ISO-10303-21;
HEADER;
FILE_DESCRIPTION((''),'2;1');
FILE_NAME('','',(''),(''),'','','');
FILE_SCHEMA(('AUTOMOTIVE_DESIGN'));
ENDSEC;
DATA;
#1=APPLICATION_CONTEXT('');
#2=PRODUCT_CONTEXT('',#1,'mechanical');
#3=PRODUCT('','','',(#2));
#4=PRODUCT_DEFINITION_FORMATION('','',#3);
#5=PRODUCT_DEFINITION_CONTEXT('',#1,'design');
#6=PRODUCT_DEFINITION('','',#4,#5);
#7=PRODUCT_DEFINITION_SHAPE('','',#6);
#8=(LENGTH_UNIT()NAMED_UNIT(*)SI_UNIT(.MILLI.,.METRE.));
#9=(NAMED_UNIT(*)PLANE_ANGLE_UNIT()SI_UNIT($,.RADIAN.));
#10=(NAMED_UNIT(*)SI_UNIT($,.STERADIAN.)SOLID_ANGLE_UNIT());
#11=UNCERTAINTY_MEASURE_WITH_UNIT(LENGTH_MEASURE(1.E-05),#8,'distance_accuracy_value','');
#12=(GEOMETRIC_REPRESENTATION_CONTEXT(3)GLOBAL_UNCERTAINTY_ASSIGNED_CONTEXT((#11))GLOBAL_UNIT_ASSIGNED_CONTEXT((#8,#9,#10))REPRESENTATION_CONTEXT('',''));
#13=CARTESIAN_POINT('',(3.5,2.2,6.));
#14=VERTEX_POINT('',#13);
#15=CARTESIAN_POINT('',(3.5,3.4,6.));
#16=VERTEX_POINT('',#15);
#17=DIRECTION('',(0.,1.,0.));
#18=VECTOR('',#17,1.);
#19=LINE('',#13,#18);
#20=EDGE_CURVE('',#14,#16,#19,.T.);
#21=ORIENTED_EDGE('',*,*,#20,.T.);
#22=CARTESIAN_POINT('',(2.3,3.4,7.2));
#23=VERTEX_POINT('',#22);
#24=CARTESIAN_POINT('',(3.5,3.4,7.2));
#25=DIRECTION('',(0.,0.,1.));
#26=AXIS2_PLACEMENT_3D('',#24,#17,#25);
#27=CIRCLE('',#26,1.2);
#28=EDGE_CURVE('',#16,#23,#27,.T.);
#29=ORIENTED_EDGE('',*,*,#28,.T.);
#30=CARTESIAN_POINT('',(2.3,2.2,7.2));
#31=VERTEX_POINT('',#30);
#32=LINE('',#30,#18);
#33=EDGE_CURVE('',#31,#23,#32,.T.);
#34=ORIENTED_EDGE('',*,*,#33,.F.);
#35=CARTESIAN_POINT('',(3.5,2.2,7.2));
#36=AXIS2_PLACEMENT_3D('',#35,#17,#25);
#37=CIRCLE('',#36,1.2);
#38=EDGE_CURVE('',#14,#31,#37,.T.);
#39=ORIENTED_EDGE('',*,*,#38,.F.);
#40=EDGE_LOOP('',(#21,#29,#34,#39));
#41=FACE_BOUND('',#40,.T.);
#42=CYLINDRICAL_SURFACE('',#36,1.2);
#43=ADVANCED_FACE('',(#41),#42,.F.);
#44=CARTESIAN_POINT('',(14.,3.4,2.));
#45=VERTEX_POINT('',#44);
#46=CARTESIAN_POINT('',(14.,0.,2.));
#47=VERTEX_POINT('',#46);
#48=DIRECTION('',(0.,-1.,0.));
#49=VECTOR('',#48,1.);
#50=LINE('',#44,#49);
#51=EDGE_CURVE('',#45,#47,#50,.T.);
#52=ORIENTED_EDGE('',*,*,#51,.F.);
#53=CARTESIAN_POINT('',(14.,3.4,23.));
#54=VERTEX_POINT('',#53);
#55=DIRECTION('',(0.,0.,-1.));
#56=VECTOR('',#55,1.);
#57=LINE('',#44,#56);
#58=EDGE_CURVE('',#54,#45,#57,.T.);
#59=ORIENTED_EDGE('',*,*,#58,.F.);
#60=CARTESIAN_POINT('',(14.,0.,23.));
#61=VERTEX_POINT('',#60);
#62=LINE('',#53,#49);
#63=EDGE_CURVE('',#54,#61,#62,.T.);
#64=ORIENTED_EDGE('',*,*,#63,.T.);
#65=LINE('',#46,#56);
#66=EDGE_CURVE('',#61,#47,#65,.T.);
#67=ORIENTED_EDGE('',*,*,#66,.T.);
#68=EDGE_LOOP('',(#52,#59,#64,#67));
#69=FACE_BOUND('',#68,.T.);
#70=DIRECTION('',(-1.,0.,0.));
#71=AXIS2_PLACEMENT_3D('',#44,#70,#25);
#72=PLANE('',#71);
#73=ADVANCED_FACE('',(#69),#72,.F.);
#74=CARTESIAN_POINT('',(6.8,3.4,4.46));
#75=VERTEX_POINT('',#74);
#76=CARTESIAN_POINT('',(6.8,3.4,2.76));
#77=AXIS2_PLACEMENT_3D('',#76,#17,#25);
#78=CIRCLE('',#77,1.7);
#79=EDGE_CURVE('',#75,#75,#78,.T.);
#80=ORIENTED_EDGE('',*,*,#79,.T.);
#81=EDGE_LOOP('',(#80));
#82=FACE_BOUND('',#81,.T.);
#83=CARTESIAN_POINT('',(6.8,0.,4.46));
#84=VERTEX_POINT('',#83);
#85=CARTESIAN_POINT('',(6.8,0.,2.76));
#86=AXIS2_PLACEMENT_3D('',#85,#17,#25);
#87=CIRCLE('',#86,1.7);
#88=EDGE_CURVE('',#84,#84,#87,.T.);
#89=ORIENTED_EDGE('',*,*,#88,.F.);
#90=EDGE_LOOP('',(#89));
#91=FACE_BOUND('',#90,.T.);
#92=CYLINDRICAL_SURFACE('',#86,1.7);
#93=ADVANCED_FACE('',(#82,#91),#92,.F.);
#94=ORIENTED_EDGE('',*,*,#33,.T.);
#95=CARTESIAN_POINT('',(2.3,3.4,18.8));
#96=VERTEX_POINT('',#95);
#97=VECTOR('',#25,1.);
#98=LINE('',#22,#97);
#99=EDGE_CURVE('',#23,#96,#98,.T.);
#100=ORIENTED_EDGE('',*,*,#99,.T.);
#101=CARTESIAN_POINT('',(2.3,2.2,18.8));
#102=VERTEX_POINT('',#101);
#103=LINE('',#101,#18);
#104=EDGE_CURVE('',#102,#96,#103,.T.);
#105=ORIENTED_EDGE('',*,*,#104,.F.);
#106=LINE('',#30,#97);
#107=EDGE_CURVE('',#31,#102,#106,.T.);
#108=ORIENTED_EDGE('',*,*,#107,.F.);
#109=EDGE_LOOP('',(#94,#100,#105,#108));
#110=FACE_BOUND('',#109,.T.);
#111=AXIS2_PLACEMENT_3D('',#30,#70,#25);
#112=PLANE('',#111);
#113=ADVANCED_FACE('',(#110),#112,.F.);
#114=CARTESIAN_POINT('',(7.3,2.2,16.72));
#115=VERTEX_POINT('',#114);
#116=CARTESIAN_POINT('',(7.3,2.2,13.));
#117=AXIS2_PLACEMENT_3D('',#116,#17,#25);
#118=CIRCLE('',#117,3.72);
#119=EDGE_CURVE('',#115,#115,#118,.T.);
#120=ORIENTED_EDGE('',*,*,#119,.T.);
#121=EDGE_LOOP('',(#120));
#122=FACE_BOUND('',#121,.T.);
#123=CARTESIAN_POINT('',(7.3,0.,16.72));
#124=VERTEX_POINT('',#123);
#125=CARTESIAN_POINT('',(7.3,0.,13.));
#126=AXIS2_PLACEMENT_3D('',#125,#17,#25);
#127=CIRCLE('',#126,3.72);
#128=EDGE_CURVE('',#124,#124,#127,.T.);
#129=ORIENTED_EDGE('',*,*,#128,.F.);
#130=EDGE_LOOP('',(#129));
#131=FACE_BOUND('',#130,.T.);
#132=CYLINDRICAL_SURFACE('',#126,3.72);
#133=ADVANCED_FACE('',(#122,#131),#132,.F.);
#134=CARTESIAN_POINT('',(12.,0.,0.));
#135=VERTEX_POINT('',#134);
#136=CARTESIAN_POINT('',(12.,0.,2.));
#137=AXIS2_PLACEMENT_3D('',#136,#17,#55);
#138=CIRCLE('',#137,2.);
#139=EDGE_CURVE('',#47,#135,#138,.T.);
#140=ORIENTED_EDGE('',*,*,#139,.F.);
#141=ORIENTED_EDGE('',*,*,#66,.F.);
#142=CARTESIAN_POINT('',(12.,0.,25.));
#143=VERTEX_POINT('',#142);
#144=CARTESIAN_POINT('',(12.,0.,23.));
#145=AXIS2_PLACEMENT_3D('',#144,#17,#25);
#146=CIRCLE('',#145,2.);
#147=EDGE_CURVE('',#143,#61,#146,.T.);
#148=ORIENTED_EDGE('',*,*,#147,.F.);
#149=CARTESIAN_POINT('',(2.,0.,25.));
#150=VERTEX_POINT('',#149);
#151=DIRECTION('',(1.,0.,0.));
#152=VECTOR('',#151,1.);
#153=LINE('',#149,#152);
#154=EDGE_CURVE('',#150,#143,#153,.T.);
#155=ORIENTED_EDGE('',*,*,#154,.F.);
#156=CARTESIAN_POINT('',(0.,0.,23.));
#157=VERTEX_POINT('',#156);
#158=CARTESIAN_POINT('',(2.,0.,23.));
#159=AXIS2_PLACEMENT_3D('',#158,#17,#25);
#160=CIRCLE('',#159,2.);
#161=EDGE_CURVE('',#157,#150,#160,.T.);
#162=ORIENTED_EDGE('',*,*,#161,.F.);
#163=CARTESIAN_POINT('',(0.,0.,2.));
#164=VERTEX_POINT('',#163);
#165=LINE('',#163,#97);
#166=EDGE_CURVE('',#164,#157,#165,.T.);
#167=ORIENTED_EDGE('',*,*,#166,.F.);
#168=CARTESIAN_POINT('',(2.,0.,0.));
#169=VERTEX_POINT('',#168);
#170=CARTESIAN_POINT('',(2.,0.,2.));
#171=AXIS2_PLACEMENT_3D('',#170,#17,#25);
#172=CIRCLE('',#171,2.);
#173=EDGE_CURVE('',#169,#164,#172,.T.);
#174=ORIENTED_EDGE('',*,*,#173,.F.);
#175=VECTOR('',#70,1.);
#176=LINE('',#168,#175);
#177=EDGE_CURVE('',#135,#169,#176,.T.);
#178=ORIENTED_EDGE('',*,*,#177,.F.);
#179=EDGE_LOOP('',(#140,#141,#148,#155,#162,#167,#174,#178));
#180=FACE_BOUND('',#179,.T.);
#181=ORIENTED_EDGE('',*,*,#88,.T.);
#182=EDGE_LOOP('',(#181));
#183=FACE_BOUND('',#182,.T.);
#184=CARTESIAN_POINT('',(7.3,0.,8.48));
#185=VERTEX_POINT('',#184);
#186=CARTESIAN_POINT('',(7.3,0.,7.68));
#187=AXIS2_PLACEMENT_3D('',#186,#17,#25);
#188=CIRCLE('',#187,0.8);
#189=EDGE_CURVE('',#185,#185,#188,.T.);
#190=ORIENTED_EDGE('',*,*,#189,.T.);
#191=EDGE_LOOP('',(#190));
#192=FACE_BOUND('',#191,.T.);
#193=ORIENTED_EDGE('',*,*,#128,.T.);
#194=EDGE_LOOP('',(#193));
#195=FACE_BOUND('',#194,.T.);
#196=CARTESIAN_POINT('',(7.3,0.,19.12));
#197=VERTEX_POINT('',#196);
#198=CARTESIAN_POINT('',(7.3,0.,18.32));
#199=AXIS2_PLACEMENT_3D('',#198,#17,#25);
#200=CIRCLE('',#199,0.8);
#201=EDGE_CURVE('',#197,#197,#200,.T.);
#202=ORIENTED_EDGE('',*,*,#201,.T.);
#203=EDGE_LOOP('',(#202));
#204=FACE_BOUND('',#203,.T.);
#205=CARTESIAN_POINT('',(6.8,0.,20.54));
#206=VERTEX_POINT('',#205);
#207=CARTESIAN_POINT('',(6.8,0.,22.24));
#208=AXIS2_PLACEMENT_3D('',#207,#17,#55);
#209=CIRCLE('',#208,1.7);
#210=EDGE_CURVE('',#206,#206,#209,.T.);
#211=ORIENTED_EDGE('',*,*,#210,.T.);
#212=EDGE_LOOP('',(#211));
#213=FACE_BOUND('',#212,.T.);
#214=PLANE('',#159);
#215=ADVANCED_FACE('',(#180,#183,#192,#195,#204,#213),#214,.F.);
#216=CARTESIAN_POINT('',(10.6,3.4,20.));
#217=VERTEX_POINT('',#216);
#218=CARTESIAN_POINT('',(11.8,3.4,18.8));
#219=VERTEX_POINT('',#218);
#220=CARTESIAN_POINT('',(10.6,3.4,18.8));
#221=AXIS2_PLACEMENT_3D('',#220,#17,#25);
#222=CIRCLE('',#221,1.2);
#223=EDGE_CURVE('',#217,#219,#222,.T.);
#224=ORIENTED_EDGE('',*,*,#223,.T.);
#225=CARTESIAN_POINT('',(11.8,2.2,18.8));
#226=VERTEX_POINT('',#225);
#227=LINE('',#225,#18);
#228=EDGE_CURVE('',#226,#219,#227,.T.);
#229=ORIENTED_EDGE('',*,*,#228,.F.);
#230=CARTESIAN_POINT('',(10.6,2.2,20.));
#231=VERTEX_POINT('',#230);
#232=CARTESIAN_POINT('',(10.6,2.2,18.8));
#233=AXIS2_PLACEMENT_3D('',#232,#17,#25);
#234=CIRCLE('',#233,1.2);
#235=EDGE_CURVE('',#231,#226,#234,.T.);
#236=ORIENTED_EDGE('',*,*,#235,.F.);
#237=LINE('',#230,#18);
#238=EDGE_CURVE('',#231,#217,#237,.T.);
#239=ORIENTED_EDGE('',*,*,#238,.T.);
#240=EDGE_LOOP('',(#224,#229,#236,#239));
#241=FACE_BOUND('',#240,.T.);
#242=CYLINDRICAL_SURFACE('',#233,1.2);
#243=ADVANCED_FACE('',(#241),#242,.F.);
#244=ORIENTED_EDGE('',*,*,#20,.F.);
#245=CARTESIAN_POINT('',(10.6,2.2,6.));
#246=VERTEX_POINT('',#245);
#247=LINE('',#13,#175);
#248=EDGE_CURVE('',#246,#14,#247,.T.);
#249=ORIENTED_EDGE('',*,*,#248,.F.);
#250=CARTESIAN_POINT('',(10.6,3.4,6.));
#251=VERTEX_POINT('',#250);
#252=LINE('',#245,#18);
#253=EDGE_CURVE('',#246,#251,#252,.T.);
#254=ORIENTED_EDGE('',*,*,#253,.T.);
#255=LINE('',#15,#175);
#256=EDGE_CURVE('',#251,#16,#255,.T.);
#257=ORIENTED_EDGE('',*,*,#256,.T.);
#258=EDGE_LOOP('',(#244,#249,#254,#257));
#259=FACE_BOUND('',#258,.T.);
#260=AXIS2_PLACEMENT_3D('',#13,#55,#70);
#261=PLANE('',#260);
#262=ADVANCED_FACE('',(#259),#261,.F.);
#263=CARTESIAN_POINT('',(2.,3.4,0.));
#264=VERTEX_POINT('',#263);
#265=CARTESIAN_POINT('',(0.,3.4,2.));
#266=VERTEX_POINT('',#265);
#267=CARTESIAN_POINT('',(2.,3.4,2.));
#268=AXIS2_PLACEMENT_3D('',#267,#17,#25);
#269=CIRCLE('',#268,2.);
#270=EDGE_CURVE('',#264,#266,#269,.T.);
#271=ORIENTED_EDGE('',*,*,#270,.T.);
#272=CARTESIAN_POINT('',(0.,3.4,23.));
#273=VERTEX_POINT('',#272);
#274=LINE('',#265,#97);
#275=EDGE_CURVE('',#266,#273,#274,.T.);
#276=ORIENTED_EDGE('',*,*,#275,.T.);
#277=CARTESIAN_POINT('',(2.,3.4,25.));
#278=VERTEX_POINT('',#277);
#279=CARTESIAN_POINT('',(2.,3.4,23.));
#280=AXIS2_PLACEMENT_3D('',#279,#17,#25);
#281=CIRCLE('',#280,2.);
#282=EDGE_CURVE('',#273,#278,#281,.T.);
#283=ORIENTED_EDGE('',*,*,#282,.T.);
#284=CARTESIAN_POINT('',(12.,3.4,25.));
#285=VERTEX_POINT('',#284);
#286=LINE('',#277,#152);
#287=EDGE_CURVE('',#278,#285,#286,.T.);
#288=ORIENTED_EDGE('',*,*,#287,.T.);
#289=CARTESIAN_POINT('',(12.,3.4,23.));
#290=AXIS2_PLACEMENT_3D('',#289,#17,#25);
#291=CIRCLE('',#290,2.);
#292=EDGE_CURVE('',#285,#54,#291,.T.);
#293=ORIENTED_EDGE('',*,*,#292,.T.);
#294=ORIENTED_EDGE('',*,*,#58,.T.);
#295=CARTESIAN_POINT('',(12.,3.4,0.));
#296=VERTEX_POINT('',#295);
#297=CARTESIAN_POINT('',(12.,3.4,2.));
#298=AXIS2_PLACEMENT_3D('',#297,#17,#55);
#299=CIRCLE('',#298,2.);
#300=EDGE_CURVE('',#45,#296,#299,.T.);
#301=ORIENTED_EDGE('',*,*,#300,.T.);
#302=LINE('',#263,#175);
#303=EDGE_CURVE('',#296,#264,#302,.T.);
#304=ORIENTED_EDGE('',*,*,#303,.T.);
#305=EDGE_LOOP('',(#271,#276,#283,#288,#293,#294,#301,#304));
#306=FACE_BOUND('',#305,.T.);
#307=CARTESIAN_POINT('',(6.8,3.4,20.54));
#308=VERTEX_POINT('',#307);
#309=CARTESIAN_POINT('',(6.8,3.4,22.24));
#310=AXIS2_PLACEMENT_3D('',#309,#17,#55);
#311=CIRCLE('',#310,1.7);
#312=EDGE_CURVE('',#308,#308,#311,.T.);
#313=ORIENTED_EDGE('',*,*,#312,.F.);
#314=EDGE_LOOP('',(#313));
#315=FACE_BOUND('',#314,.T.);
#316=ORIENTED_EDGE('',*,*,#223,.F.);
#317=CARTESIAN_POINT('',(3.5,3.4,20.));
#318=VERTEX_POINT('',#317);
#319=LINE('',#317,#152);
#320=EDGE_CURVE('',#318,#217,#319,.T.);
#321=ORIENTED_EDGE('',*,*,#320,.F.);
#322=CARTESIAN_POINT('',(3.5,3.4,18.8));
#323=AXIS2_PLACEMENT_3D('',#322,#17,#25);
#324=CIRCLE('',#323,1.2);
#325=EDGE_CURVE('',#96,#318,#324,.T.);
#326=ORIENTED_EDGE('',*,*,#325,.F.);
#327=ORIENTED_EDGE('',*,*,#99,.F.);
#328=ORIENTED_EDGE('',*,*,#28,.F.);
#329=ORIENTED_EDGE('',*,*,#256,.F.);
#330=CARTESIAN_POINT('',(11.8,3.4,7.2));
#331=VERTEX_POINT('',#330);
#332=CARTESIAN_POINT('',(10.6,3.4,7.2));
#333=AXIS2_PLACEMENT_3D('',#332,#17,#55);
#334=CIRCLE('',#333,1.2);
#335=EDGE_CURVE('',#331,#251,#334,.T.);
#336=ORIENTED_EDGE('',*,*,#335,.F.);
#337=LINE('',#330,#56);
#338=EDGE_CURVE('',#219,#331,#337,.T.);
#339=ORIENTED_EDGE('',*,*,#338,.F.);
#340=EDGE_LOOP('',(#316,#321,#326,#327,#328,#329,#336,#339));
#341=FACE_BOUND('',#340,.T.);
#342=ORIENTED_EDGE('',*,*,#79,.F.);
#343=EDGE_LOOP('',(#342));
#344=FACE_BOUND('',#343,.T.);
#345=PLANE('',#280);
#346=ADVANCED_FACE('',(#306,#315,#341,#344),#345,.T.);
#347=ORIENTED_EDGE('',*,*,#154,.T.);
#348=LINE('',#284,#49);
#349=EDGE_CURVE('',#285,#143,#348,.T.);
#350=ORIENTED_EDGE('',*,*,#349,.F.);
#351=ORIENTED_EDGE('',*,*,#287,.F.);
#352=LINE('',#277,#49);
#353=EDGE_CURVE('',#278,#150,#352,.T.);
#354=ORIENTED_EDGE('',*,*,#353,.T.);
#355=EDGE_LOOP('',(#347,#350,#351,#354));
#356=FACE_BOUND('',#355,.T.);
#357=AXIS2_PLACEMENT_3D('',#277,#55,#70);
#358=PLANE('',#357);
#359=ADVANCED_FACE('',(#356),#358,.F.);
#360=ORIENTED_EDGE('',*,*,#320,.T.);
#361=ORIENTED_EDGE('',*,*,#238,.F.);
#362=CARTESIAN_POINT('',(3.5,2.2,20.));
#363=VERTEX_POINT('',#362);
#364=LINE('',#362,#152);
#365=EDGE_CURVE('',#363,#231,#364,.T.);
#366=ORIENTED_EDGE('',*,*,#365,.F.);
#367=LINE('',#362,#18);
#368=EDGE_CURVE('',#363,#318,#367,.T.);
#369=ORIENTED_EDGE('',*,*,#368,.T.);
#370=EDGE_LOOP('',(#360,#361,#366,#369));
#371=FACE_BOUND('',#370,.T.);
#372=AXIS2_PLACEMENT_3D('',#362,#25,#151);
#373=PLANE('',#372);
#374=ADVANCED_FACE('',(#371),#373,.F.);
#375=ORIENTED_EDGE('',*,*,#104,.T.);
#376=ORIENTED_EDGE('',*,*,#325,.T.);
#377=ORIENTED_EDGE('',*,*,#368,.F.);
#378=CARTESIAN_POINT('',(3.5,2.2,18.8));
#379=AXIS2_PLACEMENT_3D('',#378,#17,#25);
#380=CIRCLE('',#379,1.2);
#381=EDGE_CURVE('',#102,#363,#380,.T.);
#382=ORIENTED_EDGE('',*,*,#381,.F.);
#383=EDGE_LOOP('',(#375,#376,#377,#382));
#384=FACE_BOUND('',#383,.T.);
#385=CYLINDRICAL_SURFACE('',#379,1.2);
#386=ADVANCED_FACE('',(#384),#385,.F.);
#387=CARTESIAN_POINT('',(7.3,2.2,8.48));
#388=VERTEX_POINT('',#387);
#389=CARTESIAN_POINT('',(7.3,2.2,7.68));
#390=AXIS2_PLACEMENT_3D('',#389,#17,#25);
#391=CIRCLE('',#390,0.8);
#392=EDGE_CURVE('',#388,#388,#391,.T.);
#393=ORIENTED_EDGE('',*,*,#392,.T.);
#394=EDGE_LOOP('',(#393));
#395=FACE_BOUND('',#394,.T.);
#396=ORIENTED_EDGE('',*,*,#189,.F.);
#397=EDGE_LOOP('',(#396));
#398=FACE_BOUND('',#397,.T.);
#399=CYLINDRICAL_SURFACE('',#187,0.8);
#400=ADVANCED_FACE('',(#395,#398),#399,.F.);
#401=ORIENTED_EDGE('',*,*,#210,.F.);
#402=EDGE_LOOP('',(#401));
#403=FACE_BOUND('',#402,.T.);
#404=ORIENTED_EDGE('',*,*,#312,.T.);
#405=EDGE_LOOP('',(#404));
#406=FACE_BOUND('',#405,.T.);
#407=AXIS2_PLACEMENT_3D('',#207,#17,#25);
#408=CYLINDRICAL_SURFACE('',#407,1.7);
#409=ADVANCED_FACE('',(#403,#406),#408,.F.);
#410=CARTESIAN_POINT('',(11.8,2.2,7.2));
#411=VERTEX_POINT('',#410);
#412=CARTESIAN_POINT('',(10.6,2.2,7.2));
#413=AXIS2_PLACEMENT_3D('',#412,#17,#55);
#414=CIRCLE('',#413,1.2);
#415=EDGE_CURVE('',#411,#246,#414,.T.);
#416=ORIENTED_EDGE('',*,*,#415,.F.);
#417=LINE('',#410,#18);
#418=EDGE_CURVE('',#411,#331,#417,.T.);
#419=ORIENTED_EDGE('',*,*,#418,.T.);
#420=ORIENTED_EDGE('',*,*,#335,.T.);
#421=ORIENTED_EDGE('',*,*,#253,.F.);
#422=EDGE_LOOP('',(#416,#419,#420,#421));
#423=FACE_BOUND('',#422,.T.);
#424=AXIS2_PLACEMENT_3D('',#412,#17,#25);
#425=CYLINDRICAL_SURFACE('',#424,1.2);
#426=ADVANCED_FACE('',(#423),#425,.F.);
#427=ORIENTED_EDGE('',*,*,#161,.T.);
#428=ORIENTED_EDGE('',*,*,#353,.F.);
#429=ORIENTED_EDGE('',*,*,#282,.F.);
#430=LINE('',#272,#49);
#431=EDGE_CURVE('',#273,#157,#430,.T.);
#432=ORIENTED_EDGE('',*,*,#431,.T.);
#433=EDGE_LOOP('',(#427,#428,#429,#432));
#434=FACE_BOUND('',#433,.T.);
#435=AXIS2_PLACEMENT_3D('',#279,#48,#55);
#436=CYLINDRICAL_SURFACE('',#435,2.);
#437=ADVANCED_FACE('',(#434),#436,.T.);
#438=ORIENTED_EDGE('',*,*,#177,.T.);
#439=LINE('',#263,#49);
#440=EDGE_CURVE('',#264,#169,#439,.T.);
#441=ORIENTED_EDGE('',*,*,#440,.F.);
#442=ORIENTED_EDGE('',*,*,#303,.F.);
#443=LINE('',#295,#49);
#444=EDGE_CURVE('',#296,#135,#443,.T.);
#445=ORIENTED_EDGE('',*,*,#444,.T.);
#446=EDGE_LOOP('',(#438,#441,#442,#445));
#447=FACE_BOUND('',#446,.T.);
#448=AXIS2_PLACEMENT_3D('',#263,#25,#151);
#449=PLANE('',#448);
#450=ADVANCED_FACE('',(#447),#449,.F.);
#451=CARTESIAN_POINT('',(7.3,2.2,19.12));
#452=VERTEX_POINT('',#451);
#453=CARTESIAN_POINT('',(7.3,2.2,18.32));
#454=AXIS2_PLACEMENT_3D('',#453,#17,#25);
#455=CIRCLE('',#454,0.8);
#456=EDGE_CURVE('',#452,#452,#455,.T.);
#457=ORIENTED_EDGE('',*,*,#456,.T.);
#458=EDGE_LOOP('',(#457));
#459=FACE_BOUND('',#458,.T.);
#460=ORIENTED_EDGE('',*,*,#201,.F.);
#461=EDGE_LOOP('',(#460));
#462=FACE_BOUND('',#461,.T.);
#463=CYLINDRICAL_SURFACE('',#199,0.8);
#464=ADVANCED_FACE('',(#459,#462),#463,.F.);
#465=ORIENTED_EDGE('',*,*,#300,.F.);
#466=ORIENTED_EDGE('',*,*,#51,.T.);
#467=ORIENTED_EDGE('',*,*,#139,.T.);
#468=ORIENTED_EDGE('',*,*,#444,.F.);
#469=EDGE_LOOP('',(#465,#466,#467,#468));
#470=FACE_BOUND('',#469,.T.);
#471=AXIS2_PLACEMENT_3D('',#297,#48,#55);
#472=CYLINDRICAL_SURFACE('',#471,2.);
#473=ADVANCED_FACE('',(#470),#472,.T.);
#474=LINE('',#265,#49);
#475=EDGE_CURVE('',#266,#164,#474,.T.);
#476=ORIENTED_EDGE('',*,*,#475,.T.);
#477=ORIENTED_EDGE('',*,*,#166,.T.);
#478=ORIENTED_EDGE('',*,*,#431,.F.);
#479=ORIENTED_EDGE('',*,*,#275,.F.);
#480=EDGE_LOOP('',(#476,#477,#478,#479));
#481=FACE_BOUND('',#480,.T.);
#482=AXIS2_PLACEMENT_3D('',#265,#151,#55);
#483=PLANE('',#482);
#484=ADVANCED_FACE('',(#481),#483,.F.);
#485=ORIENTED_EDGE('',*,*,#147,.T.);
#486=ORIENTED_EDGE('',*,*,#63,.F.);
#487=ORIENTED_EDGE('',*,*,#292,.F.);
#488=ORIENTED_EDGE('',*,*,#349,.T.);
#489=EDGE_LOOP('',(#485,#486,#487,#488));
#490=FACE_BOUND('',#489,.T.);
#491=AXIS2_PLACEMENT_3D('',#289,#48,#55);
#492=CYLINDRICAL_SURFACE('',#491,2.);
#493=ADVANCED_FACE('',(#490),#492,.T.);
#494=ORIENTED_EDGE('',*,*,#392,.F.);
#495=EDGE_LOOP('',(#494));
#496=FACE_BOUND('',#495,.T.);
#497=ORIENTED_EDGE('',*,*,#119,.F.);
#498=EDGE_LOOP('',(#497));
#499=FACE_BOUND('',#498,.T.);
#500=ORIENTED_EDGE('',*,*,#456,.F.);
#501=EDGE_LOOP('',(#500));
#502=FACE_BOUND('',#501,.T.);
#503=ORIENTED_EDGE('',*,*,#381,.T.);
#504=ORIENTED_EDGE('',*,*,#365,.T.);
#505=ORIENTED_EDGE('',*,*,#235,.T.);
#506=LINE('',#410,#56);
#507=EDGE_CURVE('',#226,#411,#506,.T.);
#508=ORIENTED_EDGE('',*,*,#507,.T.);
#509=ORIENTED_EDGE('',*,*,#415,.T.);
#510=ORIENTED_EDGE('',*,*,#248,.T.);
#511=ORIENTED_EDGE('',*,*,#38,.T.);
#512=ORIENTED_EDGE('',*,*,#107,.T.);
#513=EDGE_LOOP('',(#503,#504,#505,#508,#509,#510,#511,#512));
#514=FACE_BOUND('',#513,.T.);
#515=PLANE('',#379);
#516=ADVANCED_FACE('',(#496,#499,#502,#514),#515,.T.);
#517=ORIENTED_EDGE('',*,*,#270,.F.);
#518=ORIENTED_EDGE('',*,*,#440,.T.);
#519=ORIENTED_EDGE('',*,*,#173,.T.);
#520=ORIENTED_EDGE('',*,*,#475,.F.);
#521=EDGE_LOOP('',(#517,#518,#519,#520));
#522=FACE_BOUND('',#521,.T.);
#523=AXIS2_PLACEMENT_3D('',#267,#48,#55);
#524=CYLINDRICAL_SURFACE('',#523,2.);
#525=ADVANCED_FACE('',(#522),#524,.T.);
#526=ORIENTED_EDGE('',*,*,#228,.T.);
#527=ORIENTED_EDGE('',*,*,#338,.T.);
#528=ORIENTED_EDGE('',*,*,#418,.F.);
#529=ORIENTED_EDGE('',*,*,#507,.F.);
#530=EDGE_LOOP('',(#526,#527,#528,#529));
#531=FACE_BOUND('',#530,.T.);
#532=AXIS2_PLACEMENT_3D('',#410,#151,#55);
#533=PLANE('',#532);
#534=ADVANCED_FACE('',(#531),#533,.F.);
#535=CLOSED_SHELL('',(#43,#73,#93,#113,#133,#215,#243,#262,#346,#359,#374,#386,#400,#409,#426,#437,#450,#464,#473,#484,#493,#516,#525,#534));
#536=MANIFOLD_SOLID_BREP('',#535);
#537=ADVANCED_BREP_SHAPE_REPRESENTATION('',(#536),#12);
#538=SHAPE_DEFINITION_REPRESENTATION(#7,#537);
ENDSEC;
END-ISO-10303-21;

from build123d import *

# Parameters (mm, degrees)
BOSS_EXTRUDE1_DEPTH = 3.4
CUT_EXTRUDE1_DEPTH  = 1.2
SKETCH3_R           = 3.72
SKETCH3_R_2         = 0.8
CUT_EXTRUDE2_DEPTH  = 29.737432036
SKETCH4_R           = 1.7
CUT_EXTRUDE3_DEPTH  = 29.854115824


with BuildPart() as part:
    # Sketch1 → Boss-Extrude1 (new body)
    with BuildSketch(Plane(origin=(0, 0, 0), x_dir=(1, 0, 0), z_dir=(0, 1, 0))):
        with BuildLine():
            Line((2, 0), (12, 0))
            ThreePointArc((12, 0), (13.414213562, -0.585786438), (14, -2))
            Line((14, -2), (14, -23))
            ThreePointArc((14, -23), (13.414213562, -24.414213562), (12, -25))
            Line((12, -25), (2, -25))
            ThreePointArc((2, -25), (0.585786438, -24.414213562), (0, -23))
            Line((0, -23), (0, -2))
            ThreePointArc((0, -2), (0.585786438, -0.585786438), (2, 0))
        make_face()
    extrude(amount=BOSS_EXTRUDE1_DEPTH)

    # Sketch2 → Cut-Extrude1 (cut)
    with BuildSketch(Plane(origin=(0, 3.4, 0), x_dir=(1, 0, 0), z_dir=(0, 1, 0))):
        with BuildLine():
            Line((3.5, -6), (10.6, -6))
            ThreePointArc((10.6, -6), (11.448528137, -6.351471863), (11.8, -7.2))
            Line((11.8, -7.2), (11.8, -18.8))
            ThreePointArc((11.8, -18.8), (11.448528137, -19.648528137), (10.6, -20))
            Line((10.6, -20), (3.5, -20))
            ThreePointArc((3.5, -20), (2.651471863, -19.648528137), (2.3, -18.8))
            Line((2.3, -18.8), (2.3, -7.2))
            ThreePointArc((2.3, -7.2), (2.651471863, -6.351471863), (3.5, -6))
        make_face()
    extrude(amount=-CUT_EXTRUDE1_DEPTH, mode=Mode.SUBTRACT)

    # Sketch3 → Cut-Extrude2 (cut, through all)
    with BuildSketch(Plane(origin=(0, 2.2, 0), x_dir=(1, 0, 0), z_dir=(0, 1, 0))):
        with Locations(Location((7.3, -13, 0), (0, 0, 270))):
            Circle(SKETCH3_R)
        with Locations(Location((7.3, -7.68, 0), (0, 0, 270))):
            Circle(SKETCH3_R_2)
        with Locations(Location((7.3, -18.32, 0), (0, 0, 270))):
            Circle(SKETCH3_R_2)
    extrude(amount=-CUT_EXTRUDE2_DEPTH, mode=Mode.SUBTRACT)

    # Sketch4 → Cut-Extrude3 (cut, through all)
    with BuildSketch(Plane(origin=(0, 3.4, 0), x_dir=(1, 0, 0), z_dir=(0, 1, 0))):
        with Locations(Location((6.8, -2.76, 0), (0, 0, 270))):
            Circle(SKETCH4_R)
        with Locations(Location((6.8, -22.24, 0), (0, 0, 90))):
            Circle(SKETCH4_R)
    extrude(amount=-CUT_EXTRUDE3_DEPTH, mode=Mode.SUBTRACT)


solid = part.part
